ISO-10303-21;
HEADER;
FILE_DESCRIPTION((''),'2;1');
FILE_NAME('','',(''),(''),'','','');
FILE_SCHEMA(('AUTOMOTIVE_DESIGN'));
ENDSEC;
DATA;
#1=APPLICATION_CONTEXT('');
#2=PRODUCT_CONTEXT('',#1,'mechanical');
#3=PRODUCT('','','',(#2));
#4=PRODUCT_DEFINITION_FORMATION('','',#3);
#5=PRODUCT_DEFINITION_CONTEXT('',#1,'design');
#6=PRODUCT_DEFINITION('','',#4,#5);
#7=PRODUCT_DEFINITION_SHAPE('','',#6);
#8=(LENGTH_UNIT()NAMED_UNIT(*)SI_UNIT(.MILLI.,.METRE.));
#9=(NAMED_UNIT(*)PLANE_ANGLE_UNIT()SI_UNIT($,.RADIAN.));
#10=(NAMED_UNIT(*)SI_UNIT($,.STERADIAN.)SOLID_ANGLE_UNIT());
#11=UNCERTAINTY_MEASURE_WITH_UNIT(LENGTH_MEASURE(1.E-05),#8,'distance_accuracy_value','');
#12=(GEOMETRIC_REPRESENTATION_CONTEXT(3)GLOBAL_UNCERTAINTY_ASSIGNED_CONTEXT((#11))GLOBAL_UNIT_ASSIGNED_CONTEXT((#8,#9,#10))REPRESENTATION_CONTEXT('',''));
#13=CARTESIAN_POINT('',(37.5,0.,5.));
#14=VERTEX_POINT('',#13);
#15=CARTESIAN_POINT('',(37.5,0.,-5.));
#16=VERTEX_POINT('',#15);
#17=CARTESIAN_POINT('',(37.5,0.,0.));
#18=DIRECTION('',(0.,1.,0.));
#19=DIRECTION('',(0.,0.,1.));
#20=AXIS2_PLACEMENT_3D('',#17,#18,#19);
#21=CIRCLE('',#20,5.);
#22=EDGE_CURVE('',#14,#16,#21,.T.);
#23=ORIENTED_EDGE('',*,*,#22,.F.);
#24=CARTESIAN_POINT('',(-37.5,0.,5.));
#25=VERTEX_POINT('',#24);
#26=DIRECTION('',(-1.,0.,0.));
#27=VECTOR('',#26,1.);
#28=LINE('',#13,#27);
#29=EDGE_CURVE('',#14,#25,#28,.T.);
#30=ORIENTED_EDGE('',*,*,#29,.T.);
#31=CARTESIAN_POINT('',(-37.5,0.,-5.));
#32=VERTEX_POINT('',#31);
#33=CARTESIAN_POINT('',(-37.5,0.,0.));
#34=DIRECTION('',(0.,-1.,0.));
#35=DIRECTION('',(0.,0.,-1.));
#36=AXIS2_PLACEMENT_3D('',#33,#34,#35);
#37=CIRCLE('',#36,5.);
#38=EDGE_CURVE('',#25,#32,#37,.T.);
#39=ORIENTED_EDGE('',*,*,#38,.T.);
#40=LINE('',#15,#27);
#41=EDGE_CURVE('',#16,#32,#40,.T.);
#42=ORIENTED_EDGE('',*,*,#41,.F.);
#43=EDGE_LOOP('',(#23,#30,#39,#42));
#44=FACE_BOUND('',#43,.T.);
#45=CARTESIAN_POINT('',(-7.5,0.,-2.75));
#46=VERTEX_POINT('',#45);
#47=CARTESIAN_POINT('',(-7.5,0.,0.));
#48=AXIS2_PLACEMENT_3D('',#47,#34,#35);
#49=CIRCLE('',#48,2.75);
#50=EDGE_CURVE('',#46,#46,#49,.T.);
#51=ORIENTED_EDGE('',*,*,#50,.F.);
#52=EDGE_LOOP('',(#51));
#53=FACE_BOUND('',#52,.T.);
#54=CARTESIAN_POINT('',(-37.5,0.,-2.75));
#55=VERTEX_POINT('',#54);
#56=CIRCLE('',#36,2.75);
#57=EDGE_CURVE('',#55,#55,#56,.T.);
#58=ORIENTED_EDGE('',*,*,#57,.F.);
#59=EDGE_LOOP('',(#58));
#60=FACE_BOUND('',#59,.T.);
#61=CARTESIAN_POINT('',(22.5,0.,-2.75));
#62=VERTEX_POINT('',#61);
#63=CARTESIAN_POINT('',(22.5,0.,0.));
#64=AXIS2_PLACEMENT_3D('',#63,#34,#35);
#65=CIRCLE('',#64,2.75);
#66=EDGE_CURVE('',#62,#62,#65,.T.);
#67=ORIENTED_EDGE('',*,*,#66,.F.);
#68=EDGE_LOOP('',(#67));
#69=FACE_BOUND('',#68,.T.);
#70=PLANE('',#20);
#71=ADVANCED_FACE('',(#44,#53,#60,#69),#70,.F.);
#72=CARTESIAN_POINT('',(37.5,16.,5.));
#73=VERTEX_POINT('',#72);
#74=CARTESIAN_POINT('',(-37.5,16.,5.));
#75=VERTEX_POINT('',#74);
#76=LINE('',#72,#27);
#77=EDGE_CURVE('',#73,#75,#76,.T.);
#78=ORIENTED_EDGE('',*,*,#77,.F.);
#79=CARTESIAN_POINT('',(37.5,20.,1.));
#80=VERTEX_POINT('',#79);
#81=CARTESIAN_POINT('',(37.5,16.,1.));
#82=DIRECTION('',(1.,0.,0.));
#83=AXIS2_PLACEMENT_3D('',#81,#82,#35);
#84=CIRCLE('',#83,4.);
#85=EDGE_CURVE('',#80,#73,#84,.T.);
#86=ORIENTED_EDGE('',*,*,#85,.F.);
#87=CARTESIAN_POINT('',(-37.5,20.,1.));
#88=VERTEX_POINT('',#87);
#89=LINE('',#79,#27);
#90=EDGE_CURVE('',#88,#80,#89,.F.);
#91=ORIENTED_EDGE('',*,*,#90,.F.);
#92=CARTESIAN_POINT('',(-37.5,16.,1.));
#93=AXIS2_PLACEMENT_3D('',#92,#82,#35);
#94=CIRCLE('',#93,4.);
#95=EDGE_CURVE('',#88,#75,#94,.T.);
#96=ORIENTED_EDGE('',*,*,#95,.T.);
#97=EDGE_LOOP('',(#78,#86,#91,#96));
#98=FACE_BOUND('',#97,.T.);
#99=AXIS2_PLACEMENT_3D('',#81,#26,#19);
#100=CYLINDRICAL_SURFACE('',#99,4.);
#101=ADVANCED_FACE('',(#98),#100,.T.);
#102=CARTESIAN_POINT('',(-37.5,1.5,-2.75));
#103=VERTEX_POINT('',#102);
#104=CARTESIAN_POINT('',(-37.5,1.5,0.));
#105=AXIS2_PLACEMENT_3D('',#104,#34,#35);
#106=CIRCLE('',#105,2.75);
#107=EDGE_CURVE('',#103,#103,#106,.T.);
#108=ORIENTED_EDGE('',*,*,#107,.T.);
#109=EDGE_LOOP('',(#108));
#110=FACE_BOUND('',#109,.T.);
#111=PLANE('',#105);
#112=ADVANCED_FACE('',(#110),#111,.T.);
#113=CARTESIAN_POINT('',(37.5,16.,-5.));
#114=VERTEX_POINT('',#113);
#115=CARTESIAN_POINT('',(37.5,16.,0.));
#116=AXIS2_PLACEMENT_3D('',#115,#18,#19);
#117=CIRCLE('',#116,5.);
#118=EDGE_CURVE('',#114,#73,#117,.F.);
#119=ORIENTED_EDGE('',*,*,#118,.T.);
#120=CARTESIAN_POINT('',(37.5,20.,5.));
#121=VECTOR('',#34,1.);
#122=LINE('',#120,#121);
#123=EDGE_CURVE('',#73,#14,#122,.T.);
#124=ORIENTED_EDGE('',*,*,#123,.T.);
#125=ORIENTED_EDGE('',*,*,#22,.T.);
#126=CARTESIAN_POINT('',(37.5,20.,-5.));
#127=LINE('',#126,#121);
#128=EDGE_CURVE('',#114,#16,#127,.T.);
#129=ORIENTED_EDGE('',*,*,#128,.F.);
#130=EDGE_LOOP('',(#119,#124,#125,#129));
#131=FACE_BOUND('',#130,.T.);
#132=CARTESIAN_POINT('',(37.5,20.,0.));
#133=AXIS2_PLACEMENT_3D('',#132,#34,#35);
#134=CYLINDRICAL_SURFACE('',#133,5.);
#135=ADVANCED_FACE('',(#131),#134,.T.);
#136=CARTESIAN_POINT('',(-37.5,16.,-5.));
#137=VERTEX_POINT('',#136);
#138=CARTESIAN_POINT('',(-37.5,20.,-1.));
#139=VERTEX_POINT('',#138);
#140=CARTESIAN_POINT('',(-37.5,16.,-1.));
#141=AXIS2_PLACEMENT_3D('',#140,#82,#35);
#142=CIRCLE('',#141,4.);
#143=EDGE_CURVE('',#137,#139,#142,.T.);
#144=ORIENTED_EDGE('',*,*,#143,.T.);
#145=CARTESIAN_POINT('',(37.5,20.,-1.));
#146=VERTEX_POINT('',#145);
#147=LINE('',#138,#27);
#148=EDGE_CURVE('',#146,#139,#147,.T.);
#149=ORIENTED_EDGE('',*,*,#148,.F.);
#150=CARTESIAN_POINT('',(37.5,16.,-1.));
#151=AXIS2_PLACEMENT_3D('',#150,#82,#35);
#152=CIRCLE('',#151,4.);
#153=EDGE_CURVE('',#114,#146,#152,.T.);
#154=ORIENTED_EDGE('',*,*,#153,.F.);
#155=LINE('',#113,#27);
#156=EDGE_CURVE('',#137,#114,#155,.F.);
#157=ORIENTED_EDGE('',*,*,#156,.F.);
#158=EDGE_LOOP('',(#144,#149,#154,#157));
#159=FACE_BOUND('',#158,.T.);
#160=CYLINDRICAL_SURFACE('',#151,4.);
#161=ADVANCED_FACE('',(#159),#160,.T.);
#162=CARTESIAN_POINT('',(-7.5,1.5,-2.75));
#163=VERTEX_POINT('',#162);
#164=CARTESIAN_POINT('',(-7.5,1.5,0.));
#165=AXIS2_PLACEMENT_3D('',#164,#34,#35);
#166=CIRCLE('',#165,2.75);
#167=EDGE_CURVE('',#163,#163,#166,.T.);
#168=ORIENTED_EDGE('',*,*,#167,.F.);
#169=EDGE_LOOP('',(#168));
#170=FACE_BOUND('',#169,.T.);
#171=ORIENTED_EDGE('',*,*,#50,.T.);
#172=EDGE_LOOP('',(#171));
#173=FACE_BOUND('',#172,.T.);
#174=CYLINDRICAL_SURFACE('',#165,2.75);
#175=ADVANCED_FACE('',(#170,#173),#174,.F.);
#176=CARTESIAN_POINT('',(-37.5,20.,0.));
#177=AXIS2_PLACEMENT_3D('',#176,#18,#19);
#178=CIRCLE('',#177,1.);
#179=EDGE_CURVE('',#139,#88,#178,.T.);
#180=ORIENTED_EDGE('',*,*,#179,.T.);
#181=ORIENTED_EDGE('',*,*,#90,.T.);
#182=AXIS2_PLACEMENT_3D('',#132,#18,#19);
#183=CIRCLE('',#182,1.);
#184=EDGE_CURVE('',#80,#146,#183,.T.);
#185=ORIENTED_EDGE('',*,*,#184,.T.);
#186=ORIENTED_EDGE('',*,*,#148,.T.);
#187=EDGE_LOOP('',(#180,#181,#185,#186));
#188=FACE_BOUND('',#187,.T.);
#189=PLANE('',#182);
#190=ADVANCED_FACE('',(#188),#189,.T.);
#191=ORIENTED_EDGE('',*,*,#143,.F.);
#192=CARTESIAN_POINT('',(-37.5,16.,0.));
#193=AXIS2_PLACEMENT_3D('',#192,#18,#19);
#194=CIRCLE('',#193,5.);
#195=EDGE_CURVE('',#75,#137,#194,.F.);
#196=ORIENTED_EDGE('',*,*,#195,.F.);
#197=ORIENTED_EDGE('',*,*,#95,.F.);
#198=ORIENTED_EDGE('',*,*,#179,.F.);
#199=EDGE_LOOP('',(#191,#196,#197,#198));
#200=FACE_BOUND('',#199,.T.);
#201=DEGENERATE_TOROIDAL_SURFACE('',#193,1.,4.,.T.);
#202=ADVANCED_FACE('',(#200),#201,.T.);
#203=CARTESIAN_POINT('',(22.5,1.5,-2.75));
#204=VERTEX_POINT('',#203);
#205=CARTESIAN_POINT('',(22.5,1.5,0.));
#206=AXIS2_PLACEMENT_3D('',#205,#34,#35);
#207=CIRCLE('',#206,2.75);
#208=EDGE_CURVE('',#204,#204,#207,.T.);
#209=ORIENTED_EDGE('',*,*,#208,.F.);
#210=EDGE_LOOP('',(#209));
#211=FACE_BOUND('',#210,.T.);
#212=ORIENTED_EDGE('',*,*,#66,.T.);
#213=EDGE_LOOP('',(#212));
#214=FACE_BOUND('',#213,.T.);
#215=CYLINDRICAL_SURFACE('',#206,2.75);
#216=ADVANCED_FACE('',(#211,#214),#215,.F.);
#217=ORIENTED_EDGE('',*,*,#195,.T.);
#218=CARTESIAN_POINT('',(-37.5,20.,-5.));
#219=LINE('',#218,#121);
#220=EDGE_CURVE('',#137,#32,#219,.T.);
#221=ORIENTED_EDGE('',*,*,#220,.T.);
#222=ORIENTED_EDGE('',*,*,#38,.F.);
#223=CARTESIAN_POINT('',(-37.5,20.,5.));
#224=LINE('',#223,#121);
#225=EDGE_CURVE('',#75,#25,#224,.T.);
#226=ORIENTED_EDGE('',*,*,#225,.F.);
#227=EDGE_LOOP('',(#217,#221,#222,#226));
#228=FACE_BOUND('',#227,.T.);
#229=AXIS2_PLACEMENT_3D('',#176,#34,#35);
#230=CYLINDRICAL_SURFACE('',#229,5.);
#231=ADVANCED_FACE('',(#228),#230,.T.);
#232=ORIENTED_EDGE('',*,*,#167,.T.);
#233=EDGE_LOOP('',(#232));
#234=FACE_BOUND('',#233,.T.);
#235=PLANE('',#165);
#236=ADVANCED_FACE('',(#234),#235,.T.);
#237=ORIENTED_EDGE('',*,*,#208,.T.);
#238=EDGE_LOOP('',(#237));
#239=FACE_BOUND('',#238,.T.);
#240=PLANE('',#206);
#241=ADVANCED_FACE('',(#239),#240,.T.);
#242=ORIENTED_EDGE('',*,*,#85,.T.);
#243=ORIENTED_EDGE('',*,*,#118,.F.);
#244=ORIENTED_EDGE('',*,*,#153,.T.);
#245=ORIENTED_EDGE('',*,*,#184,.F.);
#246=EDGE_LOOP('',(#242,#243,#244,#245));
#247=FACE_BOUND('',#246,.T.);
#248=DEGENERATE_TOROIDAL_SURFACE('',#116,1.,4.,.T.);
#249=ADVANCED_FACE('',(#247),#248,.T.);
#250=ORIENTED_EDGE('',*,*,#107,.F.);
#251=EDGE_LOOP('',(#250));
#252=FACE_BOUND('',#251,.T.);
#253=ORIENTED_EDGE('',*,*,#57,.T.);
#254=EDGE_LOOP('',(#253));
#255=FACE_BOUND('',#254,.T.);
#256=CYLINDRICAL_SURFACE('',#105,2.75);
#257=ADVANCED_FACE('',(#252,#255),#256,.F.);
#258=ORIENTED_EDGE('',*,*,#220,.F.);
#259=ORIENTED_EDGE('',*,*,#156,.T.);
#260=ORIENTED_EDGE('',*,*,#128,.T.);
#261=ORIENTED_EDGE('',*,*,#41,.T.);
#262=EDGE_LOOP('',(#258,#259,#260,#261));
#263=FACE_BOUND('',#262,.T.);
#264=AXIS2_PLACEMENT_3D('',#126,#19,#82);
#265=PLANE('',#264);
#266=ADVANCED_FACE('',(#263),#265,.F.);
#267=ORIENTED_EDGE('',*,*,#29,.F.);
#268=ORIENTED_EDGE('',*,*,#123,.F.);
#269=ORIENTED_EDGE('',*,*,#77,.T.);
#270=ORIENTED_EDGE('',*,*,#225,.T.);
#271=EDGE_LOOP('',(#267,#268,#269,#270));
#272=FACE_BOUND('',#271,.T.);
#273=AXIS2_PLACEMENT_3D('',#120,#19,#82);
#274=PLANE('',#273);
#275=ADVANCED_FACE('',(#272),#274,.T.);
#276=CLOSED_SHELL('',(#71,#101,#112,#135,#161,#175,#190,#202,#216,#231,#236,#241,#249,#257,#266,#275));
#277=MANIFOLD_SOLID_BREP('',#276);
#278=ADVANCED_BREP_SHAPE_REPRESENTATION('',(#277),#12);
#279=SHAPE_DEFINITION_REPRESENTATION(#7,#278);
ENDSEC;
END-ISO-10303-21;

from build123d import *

# Parameters (mm, degrees)
BOSS_EXTRUDE1_DEPTH = 20
FILLET1_R           = 4
SKETCH2_R           = 2.75
CUT_EXTRUDE1_DEPTH  = 1.5
LPATTERN1_COUNT     = 3
LPATTERN1_PITCH     = 30


with BuildPart() as part:
    # Sketch1 → Boss-Extrude1 (new body)
    with BuildSketch(Plane(origin=(0, 0, 0), x_dir=(1, 0, 0), z_dir=(0, 1, 0))):
        with BuildLine():
            Line((37.5, -5), (-37.5, -5))
            ThreePointArc((-37.5, -5), (-42.5, 0), (-37.5, 5))
            Line((-37.5, 5), (37.5, 5))
            ThreePointArc((37.5, 5), (42.5, 0), (37.5, -5))
        make_face()
    extrude(amount=BOSS_EXTRUDE1_DEPTH)

    # Fillet1
    fillet1_edges = [part.edges().sort_by_distance(p)[0] for p in [
        (-42.5, 20, 0),
        (0, 20, 5),
        (42.5, 20, 0),
        (0, 20, -5),
    ]]
    fillet(fillet1_edges, radius=FILLET1_R)

    # Sketch2 → Cut-Extrude1 (cut)
    with BuildSketch(Plane.XZ):
        with Locations(Location((-37.5, 0, 0), (0, 0, 270))):
            Circle(SKETCH2_R)
    cut_extrude1 = extrude(amount=-CUT_EXTRUDE1_DEPTH, mode=Mode.SUBTRACT)

    # LPattern1: Cut-Extrude1 ×3
    with Locations(*[(i * LPATTERN1_PITCH, 0, 0) for i in range(1, LPATTERN1_COUNT)]):
        add(cut_extrude1, mode=Mode.SUBTRACT)


solid = part.part
